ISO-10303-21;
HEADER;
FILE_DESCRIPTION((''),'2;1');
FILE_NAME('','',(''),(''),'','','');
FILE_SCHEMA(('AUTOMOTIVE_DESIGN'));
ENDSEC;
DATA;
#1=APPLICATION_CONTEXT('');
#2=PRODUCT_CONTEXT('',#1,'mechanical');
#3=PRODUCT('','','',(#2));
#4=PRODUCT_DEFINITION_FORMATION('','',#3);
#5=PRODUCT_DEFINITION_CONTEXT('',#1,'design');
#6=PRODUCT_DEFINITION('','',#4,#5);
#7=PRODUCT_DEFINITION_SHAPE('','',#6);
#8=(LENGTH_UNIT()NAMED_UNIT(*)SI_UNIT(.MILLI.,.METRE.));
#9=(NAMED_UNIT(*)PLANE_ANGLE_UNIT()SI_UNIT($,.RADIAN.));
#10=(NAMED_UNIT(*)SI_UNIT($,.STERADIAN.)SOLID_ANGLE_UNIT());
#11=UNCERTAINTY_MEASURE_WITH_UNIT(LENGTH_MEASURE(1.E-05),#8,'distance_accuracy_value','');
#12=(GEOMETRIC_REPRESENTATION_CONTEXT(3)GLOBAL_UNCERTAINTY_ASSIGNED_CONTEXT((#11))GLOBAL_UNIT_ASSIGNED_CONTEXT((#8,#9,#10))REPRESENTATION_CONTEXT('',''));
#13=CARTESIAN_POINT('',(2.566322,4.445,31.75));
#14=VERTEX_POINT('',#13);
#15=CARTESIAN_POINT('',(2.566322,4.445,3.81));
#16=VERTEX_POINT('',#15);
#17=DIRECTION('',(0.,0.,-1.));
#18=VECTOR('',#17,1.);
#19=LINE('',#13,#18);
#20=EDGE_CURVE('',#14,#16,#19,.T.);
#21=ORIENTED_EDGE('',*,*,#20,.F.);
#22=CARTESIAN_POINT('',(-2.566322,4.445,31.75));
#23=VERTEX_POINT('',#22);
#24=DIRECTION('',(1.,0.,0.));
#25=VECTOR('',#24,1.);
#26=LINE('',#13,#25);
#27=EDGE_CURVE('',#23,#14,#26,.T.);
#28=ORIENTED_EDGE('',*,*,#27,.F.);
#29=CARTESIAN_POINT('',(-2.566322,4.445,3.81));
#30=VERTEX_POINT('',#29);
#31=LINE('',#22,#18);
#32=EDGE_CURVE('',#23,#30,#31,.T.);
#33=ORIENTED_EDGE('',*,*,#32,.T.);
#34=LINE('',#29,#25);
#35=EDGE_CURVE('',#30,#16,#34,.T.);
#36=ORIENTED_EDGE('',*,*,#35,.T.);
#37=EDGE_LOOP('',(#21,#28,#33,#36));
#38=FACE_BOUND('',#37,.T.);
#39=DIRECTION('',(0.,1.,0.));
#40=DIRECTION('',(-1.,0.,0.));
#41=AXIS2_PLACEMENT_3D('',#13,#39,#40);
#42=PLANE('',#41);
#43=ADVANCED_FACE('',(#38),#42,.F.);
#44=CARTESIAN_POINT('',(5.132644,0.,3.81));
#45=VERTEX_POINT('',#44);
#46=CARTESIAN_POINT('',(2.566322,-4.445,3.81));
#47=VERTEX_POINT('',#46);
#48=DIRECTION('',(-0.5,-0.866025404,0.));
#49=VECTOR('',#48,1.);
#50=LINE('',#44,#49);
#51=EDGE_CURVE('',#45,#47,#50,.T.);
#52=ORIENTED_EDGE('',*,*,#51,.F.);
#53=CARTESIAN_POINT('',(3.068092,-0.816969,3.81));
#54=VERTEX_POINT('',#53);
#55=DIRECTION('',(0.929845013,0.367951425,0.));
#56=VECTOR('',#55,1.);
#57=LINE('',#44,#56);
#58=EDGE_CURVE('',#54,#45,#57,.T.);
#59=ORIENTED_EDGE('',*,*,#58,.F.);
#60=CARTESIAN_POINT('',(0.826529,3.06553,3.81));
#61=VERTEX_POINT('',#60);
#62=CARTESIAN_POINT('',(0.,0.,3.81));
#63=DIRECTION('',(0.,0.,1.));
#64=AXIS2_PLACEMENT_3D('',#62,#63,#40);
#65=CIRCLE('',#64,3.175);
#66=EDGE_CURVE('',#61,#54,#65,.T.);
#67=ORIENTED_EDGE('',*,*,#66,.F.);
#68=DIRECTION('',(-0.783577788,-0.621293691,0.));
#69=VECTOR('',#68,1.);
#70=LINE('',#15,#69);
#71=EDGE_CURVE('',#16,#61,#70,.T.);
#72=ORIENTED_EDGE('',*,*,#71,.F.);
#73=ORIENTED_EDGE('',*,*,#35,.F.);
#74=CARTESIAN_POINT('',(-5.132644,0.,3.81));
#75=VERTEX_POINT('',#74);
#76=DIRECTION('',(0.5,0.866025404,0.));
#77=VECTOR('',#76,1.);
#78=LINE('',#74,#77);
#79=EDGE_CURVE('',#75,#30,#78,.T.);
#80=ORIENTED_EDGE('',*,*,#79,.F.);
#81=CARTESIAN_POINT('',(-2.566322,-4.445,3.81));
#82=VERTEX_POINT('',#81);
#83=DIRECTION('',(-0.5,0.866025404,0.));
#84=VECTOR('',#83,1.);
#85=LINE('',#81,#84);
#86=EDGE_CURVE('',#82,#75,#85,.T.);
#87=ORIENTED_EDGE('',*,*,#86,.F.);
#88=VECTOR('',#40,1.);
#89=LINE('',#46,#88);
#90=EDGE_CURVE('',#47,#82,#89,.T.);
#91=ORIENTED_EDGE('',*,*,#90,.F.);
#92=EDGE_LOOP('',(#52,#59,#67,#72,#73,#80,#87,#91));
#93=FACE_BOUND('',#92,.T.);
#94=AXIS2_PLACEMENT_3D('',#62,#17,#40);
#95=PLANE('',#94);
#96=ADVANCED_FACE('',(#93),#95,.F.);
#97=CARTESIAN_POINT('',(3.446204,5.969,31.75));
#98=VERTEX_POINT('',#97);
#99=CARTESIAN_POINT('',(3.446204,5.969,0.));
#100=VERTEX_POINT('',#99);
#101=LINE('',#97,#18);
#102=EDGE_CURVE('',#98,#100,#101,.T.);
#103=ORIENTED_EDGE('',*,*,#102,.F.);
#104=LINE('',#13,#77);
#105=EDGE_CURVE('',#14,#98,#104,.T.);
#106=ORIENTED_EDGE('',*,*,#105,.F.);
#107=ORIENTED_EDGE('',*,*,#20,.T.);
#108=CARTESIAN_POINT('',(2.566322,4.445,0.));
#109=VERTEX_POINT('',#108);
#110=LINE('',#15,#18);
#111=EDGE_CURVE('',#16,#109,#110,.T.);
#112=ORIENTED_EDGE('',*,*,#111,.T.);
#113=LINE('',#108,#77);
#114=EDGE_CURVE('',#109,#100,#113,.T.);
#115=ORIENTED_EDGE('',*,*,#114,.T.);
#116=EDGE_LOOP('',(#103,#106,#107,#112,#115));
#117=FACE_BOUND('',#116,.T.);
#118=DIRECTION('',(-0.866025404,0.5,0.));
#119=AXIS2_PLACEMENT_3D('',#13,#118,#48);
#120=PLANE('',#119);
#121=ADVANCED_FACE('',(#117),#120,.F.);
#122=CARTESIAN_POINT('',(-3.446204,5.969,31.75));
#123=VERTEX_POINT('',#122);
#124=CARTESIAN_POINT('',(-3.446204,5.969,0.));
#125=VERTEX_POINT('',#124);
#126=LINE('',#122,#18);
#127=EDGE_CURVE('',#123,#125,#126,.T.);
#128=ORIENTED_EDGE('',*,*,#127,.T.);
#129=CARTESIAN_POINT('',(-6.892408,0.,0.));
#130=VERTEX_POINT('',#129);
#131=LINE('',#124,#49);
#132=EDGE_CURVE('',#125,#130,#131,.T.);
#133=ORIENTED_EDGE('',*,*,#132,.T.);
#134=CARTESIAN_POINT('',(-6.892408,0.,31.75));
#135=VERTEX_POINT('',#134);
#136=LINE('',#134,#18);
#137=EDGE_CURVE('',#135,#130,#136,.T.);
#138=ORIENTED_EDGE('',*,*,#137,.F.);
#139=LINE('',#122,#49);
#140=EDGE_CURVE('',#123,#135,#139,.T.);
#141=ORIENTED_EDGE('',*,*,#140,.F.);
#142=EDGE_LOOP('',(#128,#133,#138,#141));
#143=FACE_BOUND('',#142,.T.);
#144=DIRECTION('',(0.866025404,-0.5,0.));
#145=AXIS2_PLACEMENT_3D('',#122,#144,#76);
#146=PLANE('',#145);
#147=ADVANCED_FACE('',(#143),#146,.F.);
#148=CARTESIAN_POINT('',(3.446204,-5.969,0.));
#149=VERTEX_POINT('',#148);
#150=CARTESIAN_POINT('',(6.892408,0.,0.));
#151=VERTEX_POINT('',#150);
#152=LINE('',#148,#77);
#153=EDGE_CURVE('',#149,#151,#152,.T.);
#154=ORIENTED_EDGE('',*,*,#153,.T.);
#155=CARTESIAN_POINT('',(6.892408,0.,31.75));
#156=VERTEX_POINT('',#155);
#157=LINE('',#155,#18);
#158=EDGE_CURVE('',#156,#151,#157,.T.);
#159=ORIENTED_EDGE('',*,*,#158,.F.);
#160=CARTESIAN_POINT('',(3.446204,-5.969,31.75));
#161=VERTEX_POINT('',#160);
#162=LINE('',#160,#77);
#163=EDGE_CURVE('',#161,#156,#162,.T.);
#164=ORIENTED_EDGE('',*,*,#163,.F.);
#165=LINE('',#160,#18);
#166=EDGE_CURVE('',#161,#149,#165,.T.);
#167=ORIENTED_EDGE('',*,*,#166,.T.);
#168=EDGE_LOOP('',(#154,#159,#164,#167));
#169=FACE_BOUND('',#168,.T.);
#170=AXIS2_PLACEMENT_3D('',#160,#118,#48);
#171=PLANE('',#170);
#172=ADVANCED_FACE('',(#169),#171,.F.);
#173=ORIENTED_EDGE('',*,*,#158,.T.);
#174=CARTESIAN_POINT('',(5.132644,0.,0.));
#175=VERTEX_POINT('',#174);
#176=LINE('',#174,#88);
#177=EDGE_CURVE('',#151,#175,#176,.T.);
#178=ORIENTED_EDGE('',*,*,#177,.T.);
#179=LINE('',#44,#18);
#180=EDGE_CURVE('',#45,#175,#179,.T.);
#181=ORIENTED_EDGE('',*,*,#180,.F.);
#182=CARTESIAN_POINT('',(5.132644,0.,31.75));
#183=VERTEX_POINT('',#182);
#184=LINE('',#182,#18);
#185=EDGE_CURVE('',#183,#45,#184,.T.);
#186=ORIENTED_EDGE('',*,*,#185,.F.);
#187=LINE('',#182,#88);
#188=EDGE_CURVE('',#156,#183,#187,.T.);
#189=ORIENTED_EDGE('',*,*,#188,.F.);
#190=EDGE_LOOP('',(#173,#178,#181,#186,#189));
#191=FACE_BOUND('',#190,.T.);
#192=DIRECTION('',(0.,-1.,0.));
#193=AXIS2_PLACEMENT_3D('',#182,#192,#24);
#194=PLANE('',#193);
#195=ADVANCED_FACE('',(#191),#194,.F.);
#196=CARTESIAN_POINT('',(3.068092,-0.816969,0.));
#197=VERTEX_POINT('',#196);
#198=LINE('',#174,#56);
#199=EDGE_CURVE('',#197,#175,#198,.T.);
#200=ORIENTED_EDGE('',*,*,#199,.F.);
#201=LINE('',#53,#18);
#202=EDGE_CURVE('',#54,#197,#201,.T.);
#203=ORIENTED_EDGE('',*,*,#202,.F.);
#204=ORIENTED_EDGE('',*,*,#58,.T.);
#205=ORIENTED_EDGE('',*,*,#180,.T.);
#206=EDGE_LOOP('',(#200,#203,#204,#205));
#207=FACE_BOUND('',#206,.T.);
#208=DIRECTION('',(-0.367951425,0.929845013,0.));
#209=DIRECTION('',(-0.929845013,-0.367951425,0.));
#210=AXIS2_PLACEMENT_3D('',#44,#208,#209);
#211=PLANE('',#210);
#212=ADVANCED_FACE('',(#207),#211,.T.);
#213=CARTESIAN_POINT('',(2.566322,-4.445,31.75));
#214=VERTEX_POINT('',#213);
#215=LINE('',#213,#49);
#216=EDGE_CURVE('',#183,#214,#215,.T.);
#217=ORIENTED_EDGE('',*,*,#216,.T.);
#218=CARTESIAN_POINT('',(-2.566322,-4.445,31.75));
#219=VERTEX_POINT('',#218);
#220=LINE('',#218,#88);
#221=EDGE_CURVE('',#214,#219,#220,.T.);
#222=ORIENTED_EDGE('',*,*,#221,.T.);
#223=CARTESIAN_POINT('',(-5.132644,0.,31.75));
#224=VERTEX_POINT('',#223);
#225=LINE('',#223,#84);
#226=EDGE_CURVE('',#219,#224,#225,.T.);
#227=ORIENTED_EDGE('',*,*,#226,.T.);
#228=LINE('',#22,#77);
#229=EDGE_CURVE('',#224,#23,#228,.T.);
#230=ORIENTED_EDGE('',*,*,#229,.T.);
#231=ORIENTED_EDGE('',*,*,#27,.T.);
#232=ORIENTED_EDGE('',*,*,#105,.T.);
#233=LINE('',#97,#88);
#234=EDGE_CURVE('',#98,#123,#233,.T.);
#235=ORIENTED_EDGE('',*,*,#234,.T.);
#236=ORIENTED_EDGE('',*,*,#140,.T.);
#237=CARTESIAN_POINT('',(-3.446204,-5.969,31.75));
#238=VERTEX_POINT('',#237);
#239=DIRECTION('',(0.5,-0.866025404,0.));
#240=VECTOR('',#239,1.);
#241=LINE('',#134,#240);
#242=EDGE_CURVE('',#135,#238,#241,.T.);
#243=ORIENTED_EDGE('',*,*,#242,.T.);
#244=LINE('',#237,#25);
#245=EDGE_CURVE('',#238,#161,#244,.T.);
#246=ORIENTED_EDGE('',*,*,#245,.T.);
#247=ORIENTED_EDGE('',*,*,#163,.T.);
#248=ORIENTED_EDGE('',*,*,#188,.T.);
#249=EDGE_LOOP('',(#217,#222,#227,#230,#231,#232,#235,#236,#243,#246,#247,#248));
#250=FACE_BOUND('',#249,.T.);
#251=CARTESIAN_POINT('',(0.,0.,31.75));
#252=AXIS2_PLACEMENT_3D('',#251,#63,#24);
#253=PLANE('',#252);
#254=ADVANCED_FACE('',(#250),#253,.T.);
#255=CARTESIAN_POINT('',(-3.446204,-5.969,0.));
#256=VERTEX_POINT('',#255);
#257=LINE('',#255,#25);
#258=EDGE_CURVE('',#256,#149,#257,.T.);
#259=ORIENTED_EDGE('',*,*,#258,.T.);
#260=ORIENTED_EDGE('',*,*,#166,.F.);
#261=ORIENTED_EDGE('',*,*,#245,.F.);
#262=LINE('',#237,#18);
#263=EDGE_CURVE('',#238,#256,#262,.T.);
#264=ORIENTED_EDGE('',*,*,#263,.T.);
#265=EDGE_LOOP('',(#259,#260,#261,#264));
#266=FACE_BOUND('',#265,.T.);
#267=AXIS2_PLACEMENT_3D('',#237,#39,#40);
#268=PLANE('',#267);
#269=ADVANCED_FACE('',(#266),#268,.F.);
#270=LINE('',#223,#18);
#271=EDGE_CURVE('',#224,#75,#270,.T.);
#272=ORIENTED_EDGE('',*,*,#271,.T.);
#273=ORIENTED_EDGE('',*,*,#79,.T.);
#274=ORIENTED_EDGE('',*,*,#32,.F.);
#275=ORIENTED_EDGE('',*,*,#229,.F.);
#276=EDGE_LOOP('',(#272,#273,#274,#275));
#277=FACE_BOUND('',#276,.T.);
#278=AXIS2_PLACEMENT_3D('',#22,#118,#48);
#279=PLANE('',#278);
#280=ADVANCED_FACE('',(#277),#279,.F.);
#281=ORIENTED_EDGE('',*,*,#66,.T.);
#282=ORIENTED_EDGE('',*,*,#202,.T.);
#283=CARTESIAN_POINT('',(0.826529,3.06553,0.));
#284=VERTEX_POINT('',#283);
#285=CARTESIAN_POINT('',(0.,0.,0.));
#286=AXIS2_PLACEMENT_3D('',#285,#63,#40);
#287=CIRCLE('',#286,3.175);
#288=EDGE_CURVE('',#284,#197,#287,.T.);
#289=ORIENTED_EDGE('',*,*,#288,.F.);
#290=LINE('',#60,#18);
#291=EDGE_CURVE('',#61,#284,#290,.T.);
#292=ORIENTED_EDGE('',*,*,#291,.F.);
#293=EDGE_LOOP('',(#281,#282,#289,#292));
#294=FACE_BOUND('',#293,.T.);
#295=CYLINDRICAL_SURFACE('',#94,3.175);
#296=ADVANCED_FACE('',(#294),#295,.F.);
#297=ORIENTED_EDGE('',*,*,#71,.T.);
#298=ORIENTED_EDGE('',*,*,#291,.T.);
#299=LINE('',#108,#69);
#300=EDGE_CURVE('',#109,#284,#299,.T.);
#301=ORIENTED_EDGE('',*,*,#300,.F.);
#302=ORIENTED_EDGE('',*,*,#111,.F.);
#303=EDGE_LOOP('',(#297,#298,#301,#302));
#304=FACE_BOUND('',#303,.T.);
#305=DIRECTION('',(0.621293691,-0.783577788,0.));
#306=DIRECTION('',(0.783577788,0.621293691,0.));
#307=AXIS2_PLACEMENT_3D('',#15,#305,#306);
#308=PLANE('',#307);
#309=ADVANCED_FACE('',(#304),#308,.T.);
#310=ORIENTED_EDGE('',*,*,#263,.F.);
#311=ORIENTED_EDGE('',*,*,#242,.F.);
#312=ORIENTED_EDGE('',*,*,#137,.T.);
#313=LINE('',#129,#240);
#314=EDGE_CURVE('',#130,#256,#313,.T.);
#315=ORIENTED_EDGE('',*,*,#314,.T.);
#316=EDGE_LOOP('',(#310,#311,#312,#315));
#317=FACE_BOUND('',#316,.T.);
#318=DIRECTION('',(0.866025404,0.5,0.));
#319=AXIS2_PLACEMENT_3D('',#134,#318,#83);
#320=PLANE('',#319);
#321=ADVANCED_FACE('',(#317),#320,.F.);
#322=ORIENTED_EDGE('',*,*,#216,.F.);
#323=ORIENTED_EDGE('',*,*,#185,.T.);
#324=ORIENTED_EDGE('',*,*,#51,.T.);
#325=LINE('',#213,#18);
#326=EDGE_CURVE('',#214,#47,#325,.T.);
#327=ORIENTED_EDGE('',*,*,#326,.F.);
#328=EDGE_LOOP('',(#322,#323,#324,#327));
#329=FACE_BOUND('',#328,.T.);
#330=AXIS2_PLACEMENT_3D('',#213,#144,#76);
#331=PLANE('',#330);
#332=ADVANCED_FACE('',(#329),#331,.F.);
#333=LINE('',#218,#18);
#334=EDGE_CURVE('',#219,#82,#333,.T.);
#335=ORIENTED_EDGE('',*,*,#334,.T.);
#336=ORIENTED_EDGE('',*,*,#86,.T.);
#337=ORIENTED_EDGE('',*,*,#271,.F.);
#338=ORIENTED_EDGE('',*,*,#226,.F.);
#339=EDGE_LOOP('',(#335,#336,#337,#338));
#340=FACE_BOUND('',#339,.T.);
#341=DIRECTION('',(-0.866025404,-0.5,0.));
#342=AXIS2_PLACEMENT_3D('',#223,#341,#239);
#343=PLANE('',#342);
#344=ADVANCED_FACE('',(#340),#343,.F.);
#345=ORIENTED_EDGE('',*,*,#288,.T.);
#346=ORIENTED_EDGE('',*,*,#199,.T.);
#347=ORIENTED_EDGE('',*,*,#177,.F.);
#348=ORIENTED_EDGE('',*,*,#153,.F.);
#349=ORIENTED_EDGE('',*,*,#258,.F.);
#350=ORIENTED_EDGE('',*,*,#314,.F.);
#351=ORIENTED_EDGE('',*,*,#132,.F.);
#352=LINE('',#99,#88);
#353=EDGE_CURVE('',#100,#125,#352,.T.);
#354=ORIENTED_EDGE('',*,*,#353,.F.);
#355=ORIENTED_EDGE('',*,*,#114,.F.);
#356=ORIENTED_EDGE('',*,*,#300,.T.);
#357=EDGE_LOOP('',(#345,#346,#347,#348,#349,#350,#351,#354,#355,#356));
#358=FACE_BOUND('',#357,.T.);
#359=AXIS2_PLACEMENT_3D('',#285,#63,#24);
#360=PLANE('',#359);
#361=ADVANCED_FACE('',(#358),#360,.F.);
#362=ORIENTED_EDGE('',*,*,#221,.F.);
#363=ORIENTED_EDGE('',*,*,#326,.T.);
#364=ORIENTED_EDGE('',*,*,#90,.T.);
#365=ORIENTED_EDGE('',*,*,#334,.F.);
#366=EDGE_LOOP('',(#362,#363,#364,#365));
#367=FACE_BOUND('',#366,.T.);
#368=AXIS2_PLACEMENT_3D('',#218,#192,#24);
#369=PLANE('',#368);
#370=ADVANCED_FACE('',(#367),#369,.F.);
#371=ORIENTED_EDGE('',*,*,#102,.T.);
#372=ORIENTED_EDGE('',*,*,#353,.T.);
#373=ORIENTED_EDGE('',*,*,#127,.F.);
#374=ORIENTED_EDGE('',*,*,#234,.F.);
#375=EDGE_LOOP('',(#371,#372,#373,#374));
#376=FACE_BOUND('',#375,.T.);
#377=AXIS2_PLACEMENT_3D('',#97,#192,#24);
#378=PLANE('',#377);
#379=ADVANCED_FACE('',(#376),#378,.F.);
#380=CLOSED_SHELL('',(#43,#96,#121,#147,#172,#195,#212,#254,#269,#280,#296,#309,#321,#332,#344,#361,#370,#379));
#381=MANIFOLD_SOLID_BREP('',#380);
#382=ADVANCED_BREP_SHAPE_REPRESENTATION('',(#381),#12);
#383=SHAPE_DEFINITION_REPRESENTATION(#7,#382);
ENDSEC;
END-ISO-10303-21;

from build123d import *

# Parameters (mm, degrees)
BOSS_EXTRUDE1_DEPTH = 31.75
BOSS_EXTRUDE2_DEPTH = 3.81


with BuildPart() as part:
    # Sketch2 → Boss-Extrude1 (new body)
    with BuildSketch(Plane.XY):
        Polygon((2.566321947, 4.445), (3.446203757, 5.969), (-3.446203757, 5.969), (-6.892407514, 0), (-3.446203757, -5.969), (3.446203757, -5.969), (6.892407514, 0), (5.132643893, 0), (2.566321947, -4.445), (-2.566321947, -4.445), (-5.132643893, 0), (-2.566321947, 4.445), align=None)
    extrude(amount=BOSS_EXTRUDE1_DEPTH)

    # Sketch3 → Boss-Extrude2 (add)
    with BuildSketch(Plane(origin=(0, 0, 0), x_dir=(-1, 0, 0), z_dir=(0, 0, -1))):
        with BuildLine():
            Line((-5.132643893, 0), (-3.068091577, -0.816969447))
            ThreePointArc((-3.068091577, -0.816969447), (2.749630657, -1.5875), (-0.826529493, 3.06552997))
            Line((-0.826529493, 3.06552997), (-2.566321947, 4.445))
            Line((-2.566321947, 4.445), (2.566321947, 4.445))
            Line((2.566321947, 4.445), (5.132643893, 0))
            Line((5.132643893, 0), (2.566321947, -4.445))
            Line((2.566321947, -4.445), (-2.566321947, -4.445))
            Line((-2.566321947, -4.445), (-5.132643893, 0))
        make_face()
    extrude(amount=-BOSS_EXTRUDE2_DEPTH)


solid = part.part
